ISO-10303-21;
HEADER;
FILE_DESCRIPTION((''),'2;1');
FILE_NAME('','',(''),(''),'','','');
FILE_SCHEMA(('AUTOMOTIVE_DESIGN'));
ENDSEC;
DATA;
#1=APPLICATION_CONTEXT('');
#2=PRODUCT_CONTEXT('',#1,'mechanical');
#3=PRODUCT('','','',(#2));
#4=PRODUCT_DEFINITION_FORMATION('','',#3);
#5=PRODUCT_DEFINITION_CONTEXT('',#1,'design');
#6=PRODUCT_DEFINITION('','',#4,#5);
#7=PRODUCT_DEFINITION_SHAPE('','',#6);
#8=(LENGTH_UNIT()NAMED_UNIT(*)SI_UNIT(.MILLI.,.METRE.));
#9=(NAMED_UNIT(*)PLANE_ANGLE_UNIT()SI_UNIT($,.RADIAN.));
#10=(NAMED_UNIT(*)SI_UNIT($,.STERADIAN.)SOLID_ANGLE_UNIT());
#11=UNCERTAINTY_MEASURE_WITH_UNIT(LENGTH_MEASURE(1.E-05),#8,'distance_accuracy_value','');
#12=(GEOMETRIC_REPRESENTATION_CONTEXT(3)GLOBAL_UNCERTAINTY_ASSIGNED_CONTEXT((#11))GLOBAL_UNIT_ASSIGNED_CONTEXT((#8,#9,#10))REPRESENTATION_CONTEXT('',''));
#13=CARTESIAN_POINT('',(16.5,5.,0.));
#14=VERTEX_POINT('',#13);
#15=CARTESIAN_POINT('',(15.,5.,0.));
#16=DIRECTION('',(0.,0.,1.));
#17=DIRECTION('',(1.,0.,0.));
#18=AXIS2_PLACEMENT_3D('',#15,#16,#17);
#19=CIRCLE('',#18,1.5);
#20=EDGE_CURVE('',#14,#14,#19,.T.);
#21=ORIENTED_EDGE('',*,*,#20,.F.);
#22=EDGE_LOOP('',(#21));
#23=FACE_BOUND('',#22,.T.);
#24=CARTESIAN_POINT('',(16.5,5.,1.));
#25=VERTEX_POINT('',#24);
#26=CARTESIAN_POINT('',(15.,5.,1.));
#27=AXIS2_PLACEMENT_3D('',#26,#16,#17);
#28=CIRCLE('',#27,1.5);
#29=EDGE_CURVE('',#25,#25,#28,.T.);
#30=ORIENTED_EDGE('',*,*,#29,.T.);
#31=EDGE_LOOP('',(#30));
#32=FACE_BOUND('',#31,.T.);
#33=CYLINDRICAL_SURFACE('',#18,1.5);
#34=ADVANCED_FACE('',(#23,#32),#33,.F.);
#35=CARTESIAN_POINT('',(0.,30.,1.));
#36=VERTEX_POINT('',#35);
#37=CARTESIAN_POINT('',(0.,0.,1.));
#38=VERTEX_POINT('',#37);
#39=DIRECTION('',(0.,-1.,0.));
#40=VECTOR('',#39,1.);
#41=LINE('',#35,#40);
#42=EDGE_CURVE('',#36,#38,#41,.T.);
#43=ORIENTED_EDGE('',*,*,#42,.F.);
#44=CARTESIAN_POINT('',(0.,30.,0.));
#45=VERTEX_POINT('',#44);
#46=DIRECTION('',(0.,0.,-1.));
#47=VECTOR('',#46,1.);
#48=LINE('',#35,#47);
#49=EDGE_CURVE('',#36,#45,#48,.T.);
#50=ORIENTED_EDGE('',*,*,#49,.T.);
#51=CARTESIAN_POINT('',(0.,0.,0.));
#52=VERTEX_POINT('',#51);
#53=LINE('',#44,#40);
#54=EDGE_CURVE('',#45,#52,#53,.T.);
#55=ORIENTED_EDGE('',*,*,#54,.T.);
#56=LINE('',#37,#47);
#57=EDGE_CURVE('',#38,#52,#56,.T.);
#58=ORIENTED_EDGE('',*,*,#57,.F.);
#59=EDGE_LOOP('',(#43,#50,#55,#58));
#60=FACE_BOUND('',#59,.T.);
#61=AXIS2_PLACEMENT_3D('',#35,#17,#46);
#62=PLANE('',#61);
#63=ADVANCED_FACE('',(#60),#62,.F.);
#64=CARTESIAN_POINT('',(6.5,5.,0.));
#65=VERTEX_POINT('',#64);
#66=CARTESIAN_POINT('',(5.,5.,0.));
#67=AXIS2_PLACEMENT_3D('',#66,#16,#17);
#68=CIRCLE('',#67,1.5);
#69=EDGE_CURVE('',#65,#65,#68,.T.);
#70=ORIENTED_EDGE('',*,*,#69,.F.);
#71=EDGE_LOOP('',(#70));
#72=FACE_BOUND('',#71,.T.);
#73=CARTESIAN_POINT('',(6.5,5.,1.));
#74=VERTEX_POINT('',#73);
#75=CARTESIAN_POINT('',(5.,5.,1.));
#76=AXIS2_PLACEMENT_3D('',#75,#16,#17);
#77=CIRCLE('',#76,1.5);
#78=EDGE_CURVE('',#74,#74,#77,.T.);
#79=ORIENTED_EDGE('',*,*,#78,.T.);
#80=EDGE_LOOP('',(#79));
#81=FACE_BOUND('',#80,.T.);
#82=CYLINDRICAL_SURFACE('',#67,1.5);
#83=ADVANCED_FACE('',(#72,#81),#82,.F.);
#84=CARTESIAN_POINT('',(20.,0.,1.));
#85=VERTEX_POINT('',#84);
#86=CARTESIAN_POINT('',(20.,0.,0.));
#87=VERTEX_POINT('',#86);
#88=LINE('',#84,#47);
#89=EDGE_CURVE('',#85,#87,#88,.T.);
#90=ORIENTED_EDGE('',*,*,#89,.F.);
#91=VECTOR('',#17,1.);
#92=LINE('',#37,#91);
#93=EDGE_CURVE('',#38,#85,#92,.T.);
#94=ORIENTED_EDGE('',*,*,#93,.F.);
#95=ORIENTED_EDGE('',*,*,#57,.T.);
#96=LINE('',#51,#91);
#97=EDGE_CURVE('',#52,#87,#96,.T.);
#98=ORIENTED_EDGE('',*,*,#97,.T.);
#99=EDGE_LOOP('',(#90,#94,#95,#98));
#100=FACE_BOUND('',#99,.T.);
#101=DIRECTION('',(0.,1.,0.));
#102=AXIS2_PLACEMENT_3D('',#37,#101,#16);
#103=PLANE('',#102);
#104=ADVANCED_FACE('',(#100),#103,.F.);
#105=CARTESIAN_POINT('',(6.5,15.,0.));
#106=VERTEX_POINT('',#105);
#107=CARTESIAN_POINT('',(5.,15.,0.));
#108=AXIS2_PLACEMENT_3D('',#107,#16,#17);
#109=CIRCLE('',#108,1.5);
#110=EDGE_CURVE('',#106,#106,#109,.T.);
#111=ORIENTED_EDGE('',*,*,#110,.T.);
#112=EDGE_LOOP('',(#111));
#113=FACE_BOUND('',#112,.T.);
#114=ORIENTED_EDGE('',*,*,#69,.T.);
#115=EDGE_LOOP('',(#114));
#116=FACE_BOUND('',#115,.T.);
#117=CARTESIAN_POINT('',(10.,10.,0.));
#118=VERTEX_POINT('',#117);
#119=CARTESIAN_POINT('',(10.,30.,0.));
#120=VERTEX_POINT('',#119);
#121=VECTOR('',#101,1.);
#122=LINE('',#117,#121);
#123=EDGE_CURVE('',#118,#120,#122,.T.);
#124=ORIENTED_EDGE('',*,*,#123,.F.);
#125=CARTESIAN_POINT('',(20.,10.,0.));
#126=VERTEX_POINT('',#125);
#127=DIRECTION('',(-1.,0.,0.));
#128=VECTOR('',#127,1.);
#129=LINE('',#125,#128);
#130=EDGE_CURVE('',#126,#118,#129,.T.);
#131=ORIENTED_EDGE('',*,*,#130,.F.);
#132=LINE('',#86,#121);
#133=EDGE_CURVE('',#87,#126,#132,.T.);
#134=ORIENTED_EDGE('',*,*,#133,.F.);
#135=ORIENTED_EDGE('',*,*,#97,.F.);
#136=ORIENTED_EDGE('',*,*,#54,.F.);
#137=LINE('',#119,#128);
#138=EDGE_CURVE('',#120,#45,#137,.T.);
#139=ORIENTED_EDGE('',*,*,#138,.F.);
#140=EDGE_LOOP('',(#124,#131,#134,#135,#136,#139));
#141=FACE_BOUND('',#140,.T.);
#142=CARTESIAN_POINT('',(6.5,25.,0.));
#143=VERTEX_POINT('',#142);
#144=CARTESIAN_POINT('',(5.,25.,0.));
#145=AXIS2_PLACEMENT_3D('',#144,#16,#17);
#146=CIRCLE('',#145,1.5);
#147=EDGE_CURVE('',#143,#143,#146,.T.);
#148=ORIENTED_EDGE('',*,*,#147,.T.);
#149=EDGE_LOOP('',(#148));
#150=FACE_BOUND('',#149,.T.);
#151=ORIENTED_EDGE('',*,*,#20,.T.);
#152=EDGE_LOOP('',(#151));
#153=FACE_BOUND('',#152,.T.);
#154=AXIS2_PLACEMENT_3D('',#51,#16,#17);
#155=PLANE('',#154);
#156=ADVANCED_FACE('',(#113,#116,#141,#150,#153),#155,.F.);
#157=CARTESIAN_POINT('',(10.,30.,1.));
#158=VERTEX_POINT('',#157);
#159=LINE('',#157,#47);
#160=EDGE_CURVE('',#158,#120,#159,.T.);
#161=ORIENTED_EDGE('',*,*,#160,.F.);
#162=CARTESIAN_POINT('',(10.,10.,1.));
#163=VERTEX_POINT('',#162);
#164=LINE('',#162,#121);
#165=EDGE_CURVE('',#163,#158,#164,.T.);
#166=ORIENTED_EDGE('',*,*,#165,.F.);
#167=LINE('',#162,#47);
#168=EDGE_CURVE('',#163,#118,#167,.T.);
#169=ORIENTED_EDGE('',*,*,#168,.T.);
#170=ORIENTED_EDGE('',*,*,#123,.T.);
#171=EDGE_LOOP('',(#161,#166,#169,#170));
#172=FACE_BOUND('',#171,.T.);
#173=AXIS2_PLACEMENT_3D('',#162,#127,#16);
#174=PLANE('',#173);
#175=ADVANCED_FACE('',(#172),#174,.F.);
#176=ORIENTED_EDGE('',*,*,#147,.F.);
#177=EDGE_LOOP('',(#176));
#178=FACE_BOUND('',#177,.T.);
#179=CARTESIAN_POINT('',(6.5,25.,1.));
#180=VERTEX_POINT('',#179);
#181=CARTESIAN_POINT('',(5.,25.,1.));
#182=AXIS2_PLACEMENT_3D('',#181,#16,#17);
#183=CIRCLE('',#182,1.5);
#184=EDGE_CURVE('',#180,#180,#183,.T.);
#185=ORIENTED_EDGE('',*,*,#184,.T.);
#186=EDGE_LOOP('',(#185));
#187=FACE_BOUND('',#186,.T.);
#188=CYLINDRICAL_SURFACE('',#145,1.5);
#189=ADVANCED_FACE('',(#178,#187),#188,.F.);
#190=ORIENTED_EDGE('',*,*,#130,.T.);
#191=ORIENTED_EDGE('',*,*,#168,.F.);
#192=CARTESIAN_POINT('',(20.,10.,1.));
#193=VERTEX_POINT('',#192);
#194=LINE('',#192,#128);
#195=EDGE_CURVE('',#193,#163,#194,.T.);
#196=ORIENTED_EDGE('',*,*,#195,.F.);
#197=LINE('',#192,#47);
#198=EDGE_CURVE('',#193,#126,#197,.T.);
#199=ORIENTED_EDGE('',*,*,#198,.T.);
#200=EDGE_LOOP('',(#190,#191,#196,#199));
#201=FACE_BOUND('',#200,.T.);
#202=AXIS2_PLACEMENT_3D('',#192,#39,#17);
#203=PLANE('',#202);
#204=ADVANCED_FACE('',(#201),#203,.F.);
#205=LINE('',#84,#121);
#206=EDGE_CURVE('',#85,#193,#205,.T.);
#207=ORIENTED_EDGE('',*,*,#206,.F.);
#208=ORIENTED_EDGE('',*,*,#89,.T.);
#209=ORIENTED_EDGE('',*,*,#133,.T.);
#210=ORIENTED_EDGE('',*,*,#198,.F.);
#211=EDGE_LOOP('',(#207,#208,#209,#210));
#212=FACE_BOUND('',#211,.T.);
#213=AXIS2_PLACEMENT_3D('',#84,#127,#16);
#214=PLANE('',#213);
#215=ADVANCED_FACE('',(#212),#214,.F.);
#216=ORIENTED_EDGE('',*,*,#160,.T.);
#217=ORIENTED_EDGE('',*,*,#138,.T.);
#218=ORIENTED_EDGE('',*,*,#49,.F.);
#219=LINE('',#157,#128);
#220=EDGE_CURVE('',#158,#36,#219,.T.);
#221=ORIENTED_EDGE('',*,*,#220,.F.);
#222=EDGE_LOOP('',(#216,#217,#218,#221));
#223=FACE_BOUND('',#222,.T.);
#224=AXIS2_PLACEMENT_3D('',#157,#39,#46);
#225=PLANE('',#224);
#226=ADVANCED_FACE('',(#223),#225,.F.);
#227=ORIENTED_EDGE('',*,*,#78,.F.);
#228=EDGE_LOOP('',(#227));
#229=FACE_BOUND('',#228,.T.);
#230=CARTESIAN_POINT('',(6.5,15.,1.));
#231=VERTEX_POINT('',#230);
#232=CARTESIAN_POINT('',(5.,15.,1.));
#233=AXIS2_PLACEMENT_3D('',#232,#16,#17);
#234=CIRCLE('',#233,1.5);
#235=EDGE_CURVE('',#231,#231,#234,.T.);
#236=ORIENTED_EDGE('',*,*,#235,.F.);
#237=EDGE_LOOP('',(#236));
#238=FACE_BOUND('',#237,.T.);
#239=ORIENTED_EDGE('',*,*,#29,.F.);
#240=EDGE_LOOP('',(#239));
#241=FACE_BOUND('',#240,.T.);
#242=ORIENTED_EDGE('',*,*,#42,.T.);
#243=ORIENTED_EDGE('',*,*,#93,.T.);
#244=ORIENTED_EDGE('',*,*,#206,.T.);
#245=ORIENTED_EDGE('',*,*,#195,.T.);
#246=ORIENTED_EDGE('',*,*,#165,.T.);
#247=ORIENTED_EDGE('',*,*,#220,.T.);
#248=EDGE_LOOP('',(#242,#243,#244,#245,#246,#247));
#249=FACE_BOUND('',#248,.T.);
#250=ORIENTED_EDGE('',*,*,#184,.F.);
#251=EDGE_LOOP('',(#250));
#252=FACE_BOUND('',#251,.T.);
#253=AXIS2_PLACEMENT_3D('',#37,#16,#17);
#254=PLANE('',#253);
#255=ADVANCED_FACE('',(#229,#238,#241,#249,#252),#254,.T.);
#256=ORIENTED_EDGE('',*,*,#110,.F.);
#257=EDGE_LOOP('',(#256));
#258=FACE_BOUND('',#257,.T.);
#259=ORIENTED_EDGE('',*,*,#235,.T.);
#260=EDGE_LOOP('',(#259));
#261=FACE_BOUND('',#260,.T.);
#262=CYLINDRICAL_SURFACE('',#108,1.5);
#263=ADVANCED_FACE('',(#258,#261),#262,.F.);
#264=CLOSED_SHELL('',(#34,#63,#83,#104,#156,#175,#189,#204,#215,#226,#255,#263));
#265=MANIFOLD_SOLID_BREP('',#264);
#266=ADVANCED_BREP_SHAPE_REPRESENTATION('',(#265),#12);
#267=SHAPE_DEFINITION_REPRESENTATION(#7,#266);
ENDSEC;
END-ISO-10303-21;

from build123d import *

# Parameters (mm, degrees)
BOSS_EXTRU_1_DEPTH      = 1
ESQUISSE2_R             = 1.5
ENL_V_MAT_EXTRU_1_DEPTH = 2


with BuildPart() as part:
    # Esquisse1 → Boss.-Extru.1 (new body)
    with BuildSketch(Plane.XY):
        Polygon((0, 0), (20, 0), (20, 10), (10, 10), (10, 30), (0, 30), align=None)
    extrude(amount=BOSS_EXTRU_1_DEPTH)

    # Esquisse2 → Enlèv. mat.-Extru.1 (cut, through all)
    with BuildSketch(Plane.XY.offset(1)):
        with Locations((5, 5)):
            Circle(ESQUISSE2_R)
        with Locations((5, 15)):
            Circle(ESQUISSE2_R)
        with Locations((5, 25)):
            Circle(ESQUISSE2_R)
        with Locations((15, 5)):
            Circle(ESQUISSE2_R)
    extrude(amount=-ENL_V_MAT_EXTRU_1_DEPTH, mode=Mode.SUBTRACT)


solid = part.part
